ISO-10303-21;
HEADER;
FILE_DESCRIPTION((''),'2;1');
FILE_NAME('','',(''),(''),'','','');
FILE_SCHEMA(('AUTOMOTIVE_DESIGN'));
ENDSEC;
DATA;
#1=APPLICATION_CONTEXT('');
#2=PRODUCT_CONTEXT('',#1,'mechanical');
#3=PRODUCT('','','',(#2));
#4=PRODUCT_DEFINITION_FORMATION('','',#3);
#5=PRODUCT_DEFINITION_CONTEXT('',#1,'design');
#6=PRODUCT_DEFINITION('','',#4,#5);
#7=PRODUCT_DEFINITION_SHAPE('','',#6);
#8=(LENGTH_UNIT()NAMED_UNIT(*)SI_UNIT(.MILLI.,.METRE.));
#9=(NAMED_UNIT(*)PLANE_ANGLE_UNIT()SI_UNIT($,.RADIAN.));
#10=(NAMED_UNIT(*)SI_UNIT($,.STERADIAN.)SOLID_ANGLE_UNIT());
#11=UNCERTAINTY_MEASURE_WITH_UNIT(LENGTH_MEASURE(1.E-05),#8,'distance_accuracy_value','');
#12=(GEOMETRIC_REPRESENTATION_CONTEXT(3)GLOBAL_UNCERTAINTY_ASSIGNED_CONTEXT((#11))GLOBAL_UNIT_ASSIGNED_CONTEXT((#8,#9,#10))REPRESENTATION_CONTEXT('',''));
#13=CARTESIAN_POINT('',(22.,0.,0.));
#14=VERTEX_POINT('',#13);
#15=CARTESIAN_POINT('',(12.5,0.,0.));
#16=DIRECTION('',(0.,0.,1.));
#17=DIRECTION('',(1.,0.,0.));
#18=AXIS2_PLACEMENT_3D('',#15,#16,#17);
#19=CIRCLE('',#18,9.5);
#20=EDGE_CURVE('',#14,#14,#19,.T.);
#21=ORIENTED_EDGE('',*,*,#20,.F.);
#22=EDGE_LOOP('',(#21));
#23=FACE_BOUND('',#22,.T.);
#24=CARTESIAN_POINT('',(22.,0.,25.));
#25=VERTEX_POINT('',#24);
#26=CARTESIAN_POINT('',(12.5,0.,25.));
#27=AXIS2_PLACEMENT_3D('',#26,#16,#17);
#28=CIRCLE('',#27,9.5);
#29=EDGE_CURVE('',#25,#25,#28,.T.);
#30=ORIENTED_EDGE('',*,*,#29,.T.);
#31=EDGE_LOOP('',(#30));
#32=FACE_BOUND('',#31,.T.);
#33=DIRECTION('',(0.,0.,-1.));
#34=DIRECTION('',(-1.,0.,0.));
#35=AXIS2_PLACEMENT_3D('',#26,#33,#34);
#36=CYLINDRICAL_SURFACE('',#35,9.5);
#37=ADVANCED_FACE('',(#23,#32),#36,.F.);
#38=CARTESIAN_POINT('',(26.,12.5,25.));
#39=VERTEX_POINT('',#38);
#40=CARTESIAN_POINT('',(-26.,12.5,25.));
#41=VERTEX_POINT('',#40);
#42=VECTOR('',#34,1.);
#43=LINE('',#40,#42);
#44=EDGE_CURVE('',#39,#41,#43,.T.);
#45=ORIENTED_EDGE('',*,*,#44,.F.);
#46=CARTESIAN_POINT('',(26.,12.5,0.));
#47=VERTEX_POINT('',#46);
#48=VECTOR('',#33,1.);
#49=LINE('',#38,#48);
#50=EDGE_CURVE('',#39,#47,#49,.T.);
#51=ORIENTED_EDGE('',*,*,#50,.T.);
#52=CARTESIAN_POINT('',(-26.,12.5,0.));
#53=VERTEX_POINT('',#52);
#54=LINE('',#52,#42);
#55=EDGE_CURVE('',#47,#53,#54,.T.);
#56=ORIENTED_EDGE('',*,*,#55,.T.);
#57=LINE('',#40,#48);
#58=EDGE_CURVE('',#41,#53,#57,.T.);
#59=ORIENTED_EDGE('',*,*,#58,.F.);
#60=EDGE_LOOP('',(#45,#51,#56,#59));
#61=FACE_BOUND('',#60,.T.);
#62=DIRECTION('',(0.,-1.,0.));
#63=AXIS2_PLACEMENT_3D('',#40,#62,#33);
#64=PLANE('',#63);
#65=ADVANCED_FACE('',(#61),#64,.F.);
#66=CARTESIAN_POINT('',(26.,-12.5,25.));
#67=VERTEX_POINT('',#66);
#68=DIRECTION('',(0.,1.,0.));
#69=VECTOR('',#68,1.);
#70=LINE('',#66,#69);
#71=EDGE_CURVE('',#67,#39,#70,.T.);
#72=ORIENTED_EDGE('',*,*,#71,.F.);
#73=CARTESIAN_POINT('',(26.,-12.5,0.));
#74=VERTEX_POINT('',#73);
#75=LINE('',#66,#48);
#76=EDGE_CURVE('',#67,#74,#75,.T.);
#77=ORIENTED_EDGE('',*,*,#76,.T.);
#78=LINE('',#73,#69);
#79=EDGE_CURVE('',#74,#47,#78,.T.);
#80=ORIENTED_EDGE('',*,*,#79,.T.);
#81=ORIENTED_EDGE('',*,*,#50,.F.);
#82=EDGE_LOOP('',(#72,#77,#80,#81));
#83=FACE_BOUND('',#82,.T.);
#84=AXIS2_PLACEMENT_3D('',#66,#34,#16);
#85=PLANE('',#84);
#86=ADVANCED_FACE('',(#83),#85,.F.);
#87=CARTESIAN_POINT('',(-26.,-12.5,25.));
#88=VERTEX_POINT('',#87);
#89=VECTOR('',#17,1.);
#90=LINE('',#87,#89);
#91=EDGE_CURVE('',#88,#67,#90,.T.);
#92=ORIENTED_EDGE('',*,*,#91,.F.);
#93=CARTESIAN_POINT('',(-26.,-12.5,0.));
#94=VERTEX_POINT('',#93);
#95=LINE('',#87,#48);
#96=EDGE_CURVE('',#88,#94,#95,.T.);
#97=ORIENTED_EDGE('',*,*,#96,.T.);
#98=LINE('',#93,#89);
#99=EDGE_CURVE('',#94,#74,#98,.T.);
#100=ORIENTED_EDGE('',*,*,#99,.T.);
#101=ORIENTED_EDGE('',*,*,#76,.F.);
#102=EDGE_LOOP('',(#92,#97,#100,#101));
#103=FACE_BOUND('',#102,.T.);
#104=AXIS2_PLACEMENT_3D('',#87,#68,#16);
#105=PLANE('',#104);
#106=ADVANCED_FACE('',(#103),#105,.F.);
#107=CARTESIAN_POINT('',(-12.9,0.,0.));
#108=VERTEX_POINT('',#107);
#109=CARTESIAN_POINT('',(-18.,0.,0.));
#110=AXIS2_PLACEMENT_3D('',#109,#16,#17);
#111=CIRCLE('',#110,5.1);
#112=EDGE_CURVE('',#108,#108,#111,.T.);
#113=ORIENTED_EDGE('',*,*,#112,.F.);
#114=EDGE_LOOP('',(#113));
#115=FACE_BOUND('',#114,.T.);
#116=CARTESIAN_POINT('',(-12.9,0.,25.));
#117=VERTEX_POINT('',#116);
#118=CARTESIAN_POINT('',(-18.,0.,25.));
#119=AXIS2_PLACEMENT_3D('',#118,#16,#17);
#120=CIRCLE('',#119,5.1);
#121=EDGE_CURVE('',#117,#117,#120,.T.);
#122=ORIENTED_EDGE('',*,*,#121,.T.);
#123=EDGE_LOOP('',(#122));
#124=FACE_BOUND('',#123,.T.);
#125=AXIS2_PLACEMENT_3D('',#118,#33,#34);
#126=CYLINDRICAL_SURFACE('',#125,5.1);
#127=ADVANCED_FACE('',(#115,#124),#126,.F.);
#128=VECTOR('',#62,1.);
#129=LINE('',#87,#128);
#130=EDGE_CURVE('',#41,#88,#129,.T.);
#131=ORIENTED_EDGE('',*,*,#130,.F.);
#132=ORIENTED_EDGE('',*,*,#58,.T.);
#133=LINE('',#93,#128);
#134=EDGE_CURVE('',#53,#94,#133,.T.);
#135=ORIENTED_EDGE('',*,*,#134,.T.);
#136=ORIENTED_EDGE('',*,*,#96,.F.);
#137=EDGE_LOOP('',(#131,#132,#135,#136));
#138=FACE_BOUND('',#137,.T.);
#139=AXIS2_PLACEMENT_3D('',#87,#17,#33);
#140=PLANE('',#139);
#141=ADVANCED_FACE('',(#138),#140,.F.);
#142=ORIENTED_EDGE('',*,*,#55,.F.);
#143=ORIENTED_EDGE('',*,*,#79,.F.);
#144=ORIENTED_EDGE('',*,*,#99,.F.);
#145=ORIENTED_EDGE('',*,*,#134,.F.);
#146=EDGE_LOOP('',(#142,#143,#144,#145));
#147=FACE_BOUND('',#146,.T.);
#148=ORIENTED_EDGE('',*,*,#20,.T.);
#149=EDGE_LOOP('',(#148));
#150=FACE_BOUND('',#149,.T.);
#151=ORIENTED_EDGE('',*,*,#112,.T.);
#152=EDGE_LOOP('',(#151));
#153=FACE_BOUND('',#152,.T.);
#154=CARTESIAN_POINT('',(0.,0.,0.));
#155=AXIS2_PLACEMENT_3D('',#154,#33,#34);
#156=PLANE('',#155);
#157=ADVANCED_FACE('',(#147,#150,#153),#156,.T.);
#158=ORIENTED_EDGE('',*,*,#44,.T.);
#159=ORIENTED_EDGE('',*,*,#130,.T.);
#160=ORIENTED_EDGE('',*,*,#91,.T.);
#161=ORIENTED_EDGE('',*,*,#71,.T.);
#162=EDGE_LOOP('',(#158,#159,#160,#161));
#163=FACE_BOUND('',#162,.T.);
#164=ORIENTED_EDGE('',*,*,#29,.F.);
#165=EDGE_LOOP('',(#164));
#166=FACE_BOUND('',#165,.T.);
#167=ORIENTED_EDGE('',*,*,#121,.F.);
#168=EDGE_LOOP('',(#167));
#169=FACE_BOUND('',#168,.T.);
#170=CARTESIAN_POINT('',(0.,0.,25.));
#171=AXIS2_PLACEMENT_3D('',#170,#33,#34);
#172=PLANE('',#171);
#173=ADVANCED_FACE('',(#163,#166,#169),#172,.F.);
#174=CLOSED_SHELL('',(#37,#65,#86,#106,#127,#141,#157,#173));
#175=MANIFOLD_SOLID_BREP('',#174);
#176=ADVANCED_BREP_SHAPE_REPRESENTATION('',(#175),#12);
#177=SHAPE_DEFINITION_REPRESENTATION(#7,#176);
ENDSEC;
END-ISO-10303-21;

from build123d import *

# Parameters (mm, degrees)
SKETCH1_W           = 52
SKETCH1_H           = 25
SKETCH1_R           = 9.5
SKETCH1_R_2         = 5.1
BOSS_EXTRUDE1_DEPTH = 25


with BuildPart() as part:
    # Sketch1 → Boss-Extrude1 (new body)
    with BuildSketch(Plane.XY):
        Rectangle(SKETCH1_W, SKETCH1_H)
        with Locations((12.5, 0)):
            Circle(SKETCH1_R, mode=Mode.SUBTRACT)
        with Locations((-18, 0)):
            Circle(SKETCH1_R_2, mode=Mode.SUBTRACT)
    extrude(amount=BOSS_EXTRUDE1_DEPTH)


solid = part.part
